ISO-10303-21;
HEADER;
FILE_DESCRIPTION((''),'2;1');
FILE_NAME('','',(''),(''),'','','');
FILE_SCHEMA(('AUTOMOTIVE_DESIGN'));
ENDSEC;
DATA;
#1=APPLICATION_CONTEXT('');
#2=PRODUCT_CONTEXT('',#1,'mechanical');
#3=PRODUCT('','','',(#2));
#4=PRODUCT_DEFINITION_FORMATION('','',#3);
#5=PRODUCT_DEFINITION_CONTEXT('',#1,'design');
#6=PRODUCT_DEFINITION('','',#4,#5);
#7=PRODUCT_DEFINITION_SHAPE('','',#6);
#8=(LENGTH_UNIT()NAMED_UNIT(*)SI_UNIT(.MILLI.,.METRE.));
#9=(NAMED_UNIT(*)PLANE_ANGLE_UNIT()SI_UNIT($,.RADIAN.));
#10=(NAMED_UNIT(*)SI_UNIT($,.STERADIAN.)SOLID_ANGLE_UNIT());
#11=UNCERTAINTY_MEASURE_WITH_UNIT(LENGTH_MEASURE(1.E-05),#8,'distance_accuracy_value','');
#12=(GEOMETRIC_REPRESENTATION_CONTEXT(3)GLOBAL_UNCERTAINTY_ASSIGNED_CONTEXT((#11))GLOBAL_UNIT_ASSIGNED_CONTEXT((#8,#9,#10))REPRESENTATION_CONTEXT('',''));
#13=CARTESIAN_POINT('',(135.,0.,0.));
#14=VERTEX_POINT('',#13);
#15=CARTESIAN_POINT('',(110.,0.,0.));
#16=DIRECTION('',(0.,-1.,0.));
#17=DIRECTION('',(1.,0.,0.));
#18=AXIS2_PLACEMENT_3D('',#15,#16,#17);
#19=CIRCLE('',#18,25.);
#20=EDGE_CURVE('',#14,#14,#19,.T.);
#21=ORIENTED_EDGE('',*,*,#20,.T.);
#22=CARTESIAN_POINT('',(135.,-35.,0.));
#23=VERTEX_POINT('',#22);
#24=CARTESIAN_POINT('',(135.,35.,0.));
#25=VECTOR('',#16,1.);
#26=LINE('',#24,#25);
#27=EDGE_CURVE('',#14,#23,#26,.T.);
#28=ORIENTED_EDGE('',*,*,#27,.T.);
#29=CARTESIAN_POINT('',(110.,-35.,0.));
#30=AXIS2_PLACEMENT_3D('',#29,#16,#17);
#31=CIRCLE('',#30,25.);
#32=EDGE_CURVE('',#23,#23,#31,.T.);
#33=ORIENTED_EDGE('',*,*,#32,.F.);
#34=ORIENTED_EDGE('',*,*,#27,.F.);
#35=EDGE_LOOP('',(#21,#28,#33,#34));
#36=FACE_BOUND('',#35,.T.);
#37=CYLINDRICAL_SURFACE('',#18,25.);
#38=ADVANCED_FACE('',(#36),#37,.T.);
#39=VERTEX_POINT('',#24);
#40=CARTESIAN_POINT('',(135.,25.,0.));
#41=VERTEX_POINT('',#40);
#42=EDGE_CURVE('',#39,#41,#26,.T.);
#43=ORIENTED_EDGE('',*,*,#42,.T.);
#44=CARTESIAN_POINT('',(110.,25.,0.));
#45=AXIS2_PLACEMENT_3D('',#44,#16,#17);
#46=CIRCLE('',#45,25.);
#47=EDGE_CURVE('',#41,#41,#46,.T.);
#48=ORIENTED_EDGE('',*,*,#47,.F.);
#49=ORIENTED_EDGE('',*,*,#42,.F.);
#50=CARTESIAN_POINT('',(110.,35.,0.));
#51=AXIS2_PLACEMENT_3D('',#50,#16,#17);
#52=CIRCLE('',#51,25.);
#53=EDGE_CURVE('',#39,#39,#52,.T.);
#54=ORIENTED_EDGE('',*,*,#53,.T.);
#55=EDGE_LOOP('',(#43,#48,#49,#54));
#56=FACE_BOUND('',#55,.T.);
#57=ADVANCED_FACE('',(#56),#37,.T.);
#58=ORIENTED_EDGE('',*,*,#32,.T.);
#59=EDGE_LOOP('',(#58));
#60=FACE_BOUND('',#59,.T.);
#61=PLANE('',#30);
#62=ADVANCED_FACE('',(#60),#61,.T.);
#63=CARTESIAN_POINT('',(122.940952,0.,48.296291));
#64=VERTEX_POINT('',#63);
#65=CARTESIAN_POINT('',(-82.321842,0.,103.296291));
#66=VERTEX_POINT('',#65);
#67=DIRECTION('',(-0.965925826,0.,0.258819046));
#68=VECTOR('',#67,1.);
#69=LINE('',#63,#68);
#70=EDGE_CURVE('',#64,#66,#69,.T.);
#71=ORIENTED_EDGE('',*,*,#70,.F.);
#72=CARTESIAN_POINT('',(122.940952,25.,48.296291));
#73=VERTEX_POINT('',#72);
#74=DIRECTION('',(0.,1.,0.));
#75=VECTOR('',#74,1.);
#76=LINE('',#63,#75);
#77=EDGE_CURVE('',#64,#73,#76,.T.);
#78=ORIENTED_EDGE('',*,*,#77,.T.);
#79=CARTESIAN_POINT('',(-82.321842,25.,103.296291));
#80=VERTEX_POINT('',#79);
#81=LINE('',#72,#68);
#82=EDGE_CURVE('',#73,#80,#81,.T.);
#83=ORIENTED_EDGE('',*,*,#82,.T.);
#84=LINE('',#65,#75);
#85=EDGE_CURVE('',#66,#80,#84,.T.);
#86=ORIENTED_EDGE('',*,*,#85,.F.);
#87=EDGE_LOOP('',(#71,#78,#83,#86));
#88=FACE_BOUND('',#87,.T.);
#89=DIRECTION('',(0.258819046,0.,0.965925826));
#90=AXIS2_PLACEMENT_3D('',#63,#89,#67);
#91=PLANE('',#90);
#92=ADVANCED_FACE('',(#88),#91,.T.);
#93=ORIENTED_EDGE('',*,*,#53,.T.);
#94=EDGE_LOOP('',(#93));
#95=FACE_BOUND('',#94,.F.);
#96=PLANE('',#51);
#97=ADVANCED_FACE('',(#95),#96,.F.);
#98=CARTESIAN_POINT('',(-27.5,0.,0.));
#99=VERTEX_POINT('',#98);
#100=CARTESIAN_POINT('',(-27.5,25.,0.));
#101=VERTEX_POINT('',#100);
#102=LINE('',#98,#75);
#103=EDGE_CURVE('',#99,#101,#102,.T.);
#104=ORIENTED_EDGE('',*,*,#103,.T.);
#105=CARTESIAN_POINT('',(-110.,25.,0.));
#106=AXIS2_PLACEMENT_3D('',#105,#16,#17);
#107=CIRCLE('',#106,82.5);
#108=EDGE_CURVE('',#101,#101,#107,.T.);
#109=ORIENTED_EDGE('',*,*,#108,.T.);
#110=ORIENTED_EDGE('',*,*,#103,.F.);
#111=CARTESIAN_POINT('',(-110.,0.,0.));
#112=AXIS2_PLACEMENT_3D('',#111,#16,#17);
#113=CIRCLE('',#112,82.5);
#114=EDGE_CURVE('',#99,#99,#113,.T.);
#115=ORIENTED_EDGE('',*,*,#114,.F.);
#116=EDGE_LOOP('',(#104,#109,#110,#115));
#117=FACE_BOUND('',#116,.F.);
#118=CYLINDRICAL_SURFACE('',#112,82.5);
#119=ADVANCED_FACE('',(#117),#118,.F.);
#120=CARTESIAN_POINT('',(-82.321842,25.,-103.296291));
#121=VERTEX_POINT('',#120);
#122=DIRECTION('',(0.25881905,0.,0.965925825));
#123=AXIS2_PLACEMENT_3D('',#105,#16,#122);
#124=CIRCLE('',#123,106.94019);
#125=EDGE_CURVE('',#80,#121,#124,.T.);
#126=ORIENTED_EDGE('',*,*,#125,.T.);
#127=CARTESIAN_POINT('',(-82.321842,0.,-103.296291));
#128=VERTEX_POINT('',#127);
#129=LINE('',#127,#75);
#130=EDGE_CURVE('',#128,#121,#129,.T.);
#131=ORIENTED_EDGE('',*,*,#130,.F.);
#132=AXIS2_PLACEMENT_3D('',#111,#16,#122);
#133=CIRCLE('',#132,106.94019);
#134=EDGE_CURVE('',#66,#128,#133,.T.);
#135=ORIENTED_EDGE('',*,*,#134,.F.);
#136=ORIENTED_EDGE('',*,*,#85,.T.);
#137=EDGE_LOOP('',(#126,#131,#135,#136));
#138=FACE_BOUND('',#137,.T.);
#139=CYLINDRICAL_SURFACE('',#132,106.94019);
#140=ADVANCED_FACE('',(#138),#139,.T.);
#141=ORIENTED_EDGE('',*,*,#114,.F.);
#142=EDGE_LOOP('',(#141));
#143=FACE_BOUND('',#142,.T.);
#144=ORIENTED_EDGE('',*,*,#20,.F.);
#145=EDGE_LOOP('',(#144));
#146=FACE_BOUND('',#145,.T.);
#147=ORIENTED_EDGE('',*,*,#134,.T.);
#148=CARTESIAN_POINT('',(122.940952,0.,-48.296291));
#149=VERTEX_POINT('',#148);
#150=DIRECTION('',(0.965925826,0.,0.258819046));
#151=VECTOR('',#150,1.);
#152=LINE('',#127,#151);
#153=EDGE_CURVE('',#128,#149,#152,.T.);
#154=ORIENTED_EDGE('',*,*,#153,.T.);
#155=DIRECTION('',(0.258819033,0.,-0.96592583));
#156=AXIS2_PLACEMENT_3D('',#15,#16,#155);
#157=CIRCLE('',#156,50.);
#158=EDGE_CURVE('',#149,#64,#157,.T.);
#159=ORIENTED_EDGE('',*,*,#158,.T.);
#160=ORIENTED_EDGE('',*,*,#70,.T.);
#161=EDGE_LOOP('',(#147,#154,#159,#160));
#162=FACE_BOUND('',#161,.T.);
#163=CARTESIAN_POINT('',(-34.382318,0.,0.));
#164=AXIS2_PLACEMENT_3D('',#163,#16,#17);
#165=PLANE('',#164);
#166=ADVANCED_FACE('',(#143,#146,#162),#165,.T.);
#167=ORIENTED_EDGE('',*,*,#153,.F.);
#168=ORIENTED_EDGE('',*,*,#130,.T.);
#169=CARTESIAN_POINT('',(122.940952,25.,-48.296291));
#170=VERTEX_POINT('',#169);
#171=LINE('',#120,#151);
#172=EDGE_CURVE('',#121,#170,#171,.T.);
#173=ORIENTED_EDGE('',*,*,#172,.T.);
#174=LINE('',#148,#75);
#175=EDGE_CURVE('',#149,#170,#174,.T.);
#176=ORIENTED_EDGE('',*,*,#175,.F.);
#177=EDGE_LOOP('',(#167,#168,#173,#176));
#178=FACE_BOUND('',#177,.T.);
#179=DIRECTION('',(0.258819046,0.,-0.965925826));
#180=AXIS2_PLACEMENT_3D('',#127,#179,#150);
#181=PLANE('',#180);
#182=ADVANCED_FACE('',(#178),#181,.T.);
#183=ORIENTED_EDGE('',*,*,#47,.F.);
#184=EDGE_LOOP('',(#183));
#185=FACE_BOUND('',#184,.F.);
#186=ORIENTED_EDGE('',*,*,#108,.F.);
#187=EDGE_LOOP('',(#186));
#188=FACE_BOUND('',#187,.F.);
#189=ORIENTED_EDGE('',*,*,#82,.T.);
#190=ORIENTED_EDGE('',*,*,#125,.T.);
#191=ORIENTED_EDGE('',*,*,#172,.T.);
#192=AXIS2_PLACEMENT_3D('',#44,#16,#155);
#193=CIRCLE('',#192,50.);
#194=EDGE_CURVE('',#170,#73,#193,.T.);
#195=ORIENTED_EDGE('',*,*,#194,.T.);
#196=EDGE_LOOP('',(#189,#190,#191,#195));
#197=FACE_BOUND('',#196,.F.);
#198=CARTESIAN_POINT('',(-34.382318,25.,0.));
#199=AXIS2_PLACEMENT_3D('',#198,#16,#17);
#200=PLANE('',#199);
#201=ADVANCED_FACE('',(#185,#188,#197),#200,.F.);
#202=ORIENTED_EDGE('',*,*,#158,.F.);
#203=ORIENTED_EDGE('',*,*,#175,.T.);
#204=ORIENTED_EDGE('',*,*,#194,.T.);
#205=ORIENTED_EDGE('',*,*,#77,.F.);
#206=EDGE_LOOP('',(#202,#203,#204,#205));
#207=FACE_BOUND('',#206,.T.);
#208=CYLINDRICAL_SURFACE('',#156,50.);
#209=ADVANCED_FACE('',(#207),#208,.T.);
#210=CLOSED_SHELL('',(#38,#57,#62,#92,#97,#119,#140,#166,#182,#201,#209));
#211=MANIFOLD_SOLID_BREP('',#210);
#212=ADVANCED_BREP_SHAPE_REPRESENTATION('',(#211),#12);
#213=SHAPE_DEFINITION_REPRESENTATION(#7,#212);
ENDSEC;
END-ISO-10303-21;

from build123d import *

# Parameters (mm, degrees)
F0_R     = 82.5
F0_R_2   = 25
F1_DEPTH = 25
F2_DEPTH = 35


with BuildPart() as f1:
    # F0 (on Front) → F1 (new body)
    with BuildSketch(Plane.XZ):
        with BuildLine():
            Line((122.940952, 48.296291), (-82.321842, 103.296291))
            ThreePointArc((-82.321842, 103.296291), (-216.94019, 0), (-82.321842, -103.296291))
            Line((-82.321842, -103.296291), (122.940952, -48.296291))
            ThreePointArc((122.940952, -48.296291), (160, 0), (122.940952, 48.296291))
        make_face()
        with Locations((-110, 0)):
            Circle(F0_R, mode=Mode.SUBTRACT)
        with Locations((110, 0)):
            Circle(F0_R_2, mode=Mode.SUBTRACT)
    extrude(amount=-F1_DEPTH)

    # F0 (on Front) → F2 (join, symmetric)
    with BuildSketch(Plane.XZ):
        with Locations((110, 0)):
            Circle(F0_R_2)
    extrude(amount=F2_DEPTH, both=True)


solid = f1.part
